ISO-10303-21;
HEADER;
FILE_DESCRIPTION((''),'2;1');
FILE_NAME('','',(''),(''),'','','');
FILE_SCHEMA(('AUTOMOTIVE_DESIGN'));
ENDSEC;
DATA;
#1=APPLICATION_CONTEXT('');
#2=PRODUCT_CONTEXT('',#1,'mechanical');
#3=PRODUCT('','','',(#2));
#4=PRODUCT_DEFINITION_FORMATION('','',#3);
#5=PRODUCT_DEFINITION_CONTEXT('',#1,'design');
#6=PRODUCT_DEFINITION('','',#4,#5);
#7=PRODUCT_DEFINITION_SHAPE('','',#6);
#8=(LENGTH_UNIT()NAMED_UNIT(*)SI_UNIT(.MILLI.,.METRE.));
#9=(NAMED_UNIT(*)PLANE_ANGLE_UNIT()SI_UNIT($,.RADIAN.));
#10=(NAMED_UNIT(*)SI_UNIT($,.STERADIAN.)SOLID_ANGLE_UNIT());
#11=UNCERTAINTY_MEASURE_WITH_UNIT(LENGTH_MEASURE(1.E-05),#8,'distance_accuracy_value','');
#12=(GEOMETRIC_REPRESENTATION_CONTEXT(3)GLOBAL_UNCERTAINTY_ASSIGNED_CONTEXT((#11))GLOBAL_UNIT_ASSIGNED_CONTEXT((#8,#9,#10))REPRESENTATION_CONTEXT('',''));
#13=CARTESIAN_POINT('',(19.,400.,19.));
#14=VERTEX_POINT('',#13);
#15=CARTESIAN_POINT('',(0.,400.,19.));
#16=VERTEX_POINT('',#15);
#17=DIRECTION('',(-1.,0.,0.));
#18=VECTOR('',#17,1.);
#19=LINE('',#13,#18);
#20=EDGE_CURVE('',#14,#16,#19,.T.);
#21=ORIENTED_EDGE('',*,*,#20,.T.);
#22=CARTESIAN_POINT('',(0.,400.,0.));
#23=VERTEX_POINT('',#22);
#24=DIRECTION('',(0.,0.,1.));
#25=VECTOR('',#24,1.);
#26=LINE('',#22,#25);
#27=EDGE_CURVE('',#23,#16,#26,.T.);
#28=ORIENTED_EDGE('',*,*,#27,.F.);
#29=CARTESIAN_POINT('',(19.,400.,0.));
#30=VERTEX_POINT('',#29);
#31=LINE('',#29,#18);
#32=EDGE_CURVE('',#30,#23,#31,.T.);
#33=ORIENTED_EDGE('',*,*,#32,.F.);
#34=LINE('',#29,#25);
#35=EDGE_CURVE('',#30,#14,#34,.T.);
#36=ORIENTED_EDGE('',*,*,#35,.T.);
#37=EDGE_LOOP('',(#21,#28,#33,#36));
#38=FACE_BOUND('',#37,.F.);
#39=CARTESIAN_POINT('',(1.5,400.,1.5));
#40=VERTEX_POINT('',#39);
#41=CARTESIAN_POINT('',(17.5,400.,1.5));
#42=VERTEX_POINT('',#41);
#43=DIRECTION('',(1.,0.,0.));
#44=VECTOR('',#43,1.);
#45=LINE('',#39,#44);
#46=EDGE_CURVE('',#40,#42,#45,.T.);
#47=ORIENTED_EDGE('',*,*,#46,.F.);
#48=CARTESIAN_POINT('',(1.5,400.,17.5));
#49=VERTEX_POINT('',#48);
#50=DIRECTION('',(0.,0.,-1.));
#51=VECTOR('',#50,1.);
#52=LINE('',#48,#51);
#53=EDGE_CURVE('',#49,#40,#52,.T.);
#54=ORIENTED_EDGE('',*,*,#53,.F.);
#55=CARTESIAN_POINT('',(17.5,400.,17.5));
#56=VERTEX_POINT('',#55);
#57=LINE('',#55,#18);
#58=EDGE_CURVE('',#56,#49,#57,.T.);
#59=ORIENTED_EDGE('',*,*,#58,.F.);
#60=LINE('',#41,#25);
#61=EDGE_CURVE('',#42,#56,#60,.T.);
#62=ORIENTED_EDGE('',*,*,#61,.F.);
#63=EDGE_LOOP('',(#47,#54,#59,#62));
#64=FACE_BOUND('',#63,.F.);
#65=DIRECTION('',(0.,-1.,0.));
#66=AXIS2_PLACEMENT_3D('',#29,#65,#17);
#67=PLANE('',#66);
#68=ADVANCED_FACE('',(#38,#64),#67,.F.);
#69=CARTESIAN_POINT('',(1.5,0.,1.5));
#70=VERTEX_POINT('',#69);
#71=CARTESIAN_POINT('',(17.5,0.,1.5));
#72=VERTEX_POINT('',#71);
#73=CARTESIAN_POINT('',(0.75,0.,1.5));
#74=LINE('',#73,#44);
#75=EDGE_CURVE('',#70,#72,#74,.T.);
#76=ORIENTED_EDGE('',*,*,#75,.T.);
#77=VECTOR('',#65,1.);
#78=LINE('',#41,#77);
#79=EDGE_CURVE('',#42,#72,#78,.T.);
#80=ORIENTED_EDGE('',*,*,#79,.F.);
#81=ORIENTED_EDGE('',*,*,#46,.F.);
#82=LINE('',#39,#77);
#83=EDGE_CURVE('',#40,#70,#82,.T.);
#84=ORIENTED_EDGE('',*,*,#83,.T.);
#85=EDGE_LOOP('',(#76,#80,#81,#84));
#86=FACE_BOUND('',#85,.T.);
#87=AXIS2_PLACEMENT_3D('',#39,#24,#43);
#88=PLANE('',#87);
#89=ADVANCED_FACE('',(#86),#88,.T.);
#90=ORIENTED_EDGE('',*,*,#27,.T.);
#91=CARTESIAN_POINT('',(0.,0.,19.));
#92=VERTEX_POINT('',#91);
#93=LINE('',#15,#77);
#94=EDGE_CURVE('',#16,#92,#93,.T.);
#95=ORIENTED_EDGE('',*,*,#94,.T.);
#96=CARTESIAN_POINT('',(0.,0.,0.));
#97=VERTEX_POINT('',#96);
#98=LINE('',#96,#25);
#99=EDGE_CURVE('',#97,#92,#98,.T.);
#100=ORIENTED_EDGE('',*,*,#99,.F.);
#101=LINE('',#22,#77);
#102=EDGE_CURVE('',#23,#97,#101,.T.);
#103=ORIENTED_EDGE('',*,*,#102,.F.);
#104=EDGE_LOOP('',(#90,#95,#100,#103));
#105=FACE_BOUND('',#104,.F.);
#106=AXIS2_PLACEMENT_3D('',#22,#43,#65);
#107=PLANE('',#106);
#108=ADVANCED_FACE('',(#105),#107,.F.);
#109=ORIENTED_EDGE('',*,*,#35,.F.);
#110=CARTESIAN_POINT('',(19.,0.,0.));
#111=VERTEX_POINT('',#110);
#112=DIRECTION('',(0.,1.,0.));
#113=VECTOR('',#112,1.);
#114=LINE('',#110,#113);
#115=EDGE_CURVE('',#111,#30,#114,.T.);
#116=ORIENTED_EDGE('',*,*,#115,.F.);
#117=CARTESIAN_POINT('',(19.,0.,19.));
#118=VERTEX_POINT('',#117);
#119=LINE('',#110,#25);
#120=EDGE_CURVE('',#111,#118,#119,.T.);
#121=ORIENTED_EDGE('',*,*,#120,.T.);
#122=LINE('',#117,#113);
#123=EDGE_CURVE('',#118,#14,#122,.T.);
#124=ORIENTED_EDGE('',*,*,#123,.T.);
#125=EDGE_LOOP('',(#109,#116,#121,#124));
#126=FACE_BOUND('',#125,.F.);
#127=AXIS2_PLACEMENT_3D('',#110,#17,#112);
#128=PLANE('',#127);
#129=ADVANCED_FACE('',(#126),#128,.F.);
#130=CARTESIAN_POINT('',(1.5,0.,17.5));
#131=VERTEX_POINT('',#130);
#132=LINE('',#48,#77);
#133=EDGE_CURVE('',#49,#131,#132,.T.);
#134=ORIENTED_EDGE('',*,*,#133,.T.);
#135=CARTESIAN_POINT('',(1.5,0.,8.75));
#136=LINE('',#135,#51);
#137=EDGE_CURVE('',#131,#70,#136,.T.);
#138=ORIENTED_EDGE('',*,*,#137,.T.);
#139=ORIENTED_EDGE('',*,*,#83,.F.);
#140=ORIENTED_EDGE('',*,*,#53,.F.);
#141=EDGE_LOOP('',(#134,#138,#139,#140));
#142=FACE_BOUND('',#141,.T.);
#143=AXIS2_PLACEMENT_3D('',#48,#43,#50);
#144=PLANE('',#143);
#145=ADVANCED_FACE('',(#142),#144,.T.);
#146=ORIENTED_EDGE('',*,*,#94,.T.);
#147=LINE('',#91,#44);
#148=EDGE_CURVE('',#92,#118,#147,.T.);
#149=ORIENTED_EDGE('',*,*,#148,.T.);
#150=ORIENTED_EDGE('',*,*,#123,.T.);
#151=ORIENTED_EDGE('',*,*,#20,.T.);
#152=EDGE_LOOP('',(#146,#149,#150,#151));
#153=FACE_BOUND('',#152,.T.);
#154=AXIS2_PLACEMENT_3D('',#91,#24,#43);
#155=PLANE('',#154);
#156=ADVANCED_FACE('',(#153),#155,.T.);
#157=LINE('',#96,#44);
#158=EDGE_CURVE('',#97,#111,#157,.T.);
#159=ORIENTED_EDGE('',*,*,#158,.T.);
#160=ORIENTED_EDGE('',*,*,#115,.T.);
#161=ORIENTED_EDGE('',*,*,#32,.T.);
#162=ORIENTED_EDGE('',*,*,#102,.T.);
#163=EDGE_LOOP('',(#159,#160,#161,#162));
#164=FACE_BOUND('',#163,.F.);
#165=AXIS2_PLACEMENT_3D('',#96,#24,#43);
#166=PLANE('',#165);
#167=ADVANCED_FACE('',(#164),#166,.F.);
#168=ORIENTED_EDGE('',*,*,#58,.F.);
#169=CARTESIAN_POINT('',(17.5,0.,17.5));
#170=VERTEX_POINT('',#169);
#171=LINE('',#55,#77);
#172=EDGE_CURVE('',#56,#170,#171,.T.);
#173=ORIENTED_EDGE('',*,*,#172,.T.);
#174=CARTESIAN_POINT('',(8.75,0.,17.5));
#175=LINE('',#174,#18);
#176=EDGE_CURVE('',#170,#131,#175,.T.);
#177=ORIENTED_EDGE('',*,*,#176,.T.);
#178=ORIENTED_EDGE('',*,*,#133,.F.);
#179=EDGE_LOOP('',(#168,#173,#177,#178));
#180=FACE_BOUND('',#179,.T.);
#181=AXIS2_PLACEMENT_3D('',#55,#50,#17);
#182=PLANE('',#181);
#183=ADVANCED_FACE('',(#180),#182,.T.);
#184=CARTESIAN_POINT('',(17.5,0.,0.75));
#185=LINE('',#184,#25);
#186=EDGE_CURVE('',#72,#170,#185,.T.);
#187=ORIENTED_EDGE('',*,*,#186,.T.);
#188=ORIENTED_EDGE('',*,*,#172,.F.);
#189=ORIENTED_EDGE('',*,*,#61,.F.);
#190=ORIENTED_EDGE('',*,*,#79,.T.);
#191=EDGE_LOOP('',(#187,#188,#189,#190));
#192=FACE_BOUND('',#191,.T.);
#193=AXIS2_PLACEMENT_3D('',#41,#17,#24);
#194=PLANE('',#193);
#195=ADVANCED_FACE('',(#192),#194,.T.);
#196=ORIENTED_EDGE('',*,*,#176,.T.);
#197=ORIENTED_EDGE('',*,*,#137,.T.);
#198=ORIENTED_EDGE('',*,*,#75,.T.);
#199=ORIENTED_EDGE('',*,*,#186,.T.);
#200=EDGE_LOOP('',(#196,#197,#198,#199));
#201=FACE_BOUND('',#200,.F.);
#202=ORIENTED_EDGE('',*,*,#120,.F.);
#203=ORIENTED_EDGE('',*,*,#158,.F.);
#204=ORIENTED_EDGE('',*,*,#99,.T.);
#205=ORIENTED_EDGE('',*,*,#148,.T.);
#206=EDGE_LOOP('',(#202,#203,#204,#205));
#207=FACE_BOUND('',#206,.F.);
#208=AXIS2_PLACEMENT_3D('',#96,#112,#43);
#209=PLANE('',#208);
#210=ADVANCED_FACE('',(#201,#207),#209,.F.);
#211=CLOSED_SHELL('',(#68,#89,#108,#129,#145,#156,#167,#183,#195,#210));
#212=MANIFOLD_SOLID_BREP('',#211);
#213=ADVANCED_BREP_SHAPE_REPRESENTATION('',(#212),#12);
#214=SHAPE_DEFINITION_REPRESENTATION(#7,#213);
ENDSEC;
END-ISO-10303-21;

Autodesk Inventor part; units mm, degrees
ref_plane "YZ Plane" through (0, 0, 0) normal (1, 0, 0) x (0, 1, 0)
ref_plane "XZ Plane" through (0, 0, 0) normal (0, 1, 0) x (-1, 0, 0)
ref_plane "XY Plane" through (0, 0, 0) normal (0, 0, 1) x (1, 0, 0)
sketch "Sketch1" plane through (0, 0, 0) normal (0, 0, 1) x (1, 0, 0)
  line L0 (0, 0) -> (19, 0)
  line L1 (19, 0) -> (19, 400)
  line L2 (19, 400) -> (0, 400)
  line L3 (0, 400) -> (0, 0)
  dimension "d0" = 19
  dimension "d1" = 400
extrude "Extrusion1" add sketch "Sketch1" along normal blind 19
sketch "Sketch2" plane through (0, 400, 0) normal (0, 1, 0) x (1, 0, 0)
  line L0 (19, 0) -> (0, 0) projected
  line L1 (0, 0) -> (0, -19) projected
  line L2 (19, -19) -> (0, -19) projected
  line L3 (19, 0) -> (19, -19) projected
  line L4 (1.5, -17.5) -> (1.5, -1.5)
  line L5 (1.5, -1.5) -> (17.5, -1.5)
  line L6 (17.5, -1.5) -> (17.5, -17.5)
  line L7 (17.5, -17.5) -> (1.5, -17.5)
  point P0 (0, 0)
  dimension "d4" = 1.5
extrude "Extrusion2" cut sketch "Sketch2" against normal through all contours L4 L5 L6 L7
properties part number "C003" material "Aluminum 6061"
